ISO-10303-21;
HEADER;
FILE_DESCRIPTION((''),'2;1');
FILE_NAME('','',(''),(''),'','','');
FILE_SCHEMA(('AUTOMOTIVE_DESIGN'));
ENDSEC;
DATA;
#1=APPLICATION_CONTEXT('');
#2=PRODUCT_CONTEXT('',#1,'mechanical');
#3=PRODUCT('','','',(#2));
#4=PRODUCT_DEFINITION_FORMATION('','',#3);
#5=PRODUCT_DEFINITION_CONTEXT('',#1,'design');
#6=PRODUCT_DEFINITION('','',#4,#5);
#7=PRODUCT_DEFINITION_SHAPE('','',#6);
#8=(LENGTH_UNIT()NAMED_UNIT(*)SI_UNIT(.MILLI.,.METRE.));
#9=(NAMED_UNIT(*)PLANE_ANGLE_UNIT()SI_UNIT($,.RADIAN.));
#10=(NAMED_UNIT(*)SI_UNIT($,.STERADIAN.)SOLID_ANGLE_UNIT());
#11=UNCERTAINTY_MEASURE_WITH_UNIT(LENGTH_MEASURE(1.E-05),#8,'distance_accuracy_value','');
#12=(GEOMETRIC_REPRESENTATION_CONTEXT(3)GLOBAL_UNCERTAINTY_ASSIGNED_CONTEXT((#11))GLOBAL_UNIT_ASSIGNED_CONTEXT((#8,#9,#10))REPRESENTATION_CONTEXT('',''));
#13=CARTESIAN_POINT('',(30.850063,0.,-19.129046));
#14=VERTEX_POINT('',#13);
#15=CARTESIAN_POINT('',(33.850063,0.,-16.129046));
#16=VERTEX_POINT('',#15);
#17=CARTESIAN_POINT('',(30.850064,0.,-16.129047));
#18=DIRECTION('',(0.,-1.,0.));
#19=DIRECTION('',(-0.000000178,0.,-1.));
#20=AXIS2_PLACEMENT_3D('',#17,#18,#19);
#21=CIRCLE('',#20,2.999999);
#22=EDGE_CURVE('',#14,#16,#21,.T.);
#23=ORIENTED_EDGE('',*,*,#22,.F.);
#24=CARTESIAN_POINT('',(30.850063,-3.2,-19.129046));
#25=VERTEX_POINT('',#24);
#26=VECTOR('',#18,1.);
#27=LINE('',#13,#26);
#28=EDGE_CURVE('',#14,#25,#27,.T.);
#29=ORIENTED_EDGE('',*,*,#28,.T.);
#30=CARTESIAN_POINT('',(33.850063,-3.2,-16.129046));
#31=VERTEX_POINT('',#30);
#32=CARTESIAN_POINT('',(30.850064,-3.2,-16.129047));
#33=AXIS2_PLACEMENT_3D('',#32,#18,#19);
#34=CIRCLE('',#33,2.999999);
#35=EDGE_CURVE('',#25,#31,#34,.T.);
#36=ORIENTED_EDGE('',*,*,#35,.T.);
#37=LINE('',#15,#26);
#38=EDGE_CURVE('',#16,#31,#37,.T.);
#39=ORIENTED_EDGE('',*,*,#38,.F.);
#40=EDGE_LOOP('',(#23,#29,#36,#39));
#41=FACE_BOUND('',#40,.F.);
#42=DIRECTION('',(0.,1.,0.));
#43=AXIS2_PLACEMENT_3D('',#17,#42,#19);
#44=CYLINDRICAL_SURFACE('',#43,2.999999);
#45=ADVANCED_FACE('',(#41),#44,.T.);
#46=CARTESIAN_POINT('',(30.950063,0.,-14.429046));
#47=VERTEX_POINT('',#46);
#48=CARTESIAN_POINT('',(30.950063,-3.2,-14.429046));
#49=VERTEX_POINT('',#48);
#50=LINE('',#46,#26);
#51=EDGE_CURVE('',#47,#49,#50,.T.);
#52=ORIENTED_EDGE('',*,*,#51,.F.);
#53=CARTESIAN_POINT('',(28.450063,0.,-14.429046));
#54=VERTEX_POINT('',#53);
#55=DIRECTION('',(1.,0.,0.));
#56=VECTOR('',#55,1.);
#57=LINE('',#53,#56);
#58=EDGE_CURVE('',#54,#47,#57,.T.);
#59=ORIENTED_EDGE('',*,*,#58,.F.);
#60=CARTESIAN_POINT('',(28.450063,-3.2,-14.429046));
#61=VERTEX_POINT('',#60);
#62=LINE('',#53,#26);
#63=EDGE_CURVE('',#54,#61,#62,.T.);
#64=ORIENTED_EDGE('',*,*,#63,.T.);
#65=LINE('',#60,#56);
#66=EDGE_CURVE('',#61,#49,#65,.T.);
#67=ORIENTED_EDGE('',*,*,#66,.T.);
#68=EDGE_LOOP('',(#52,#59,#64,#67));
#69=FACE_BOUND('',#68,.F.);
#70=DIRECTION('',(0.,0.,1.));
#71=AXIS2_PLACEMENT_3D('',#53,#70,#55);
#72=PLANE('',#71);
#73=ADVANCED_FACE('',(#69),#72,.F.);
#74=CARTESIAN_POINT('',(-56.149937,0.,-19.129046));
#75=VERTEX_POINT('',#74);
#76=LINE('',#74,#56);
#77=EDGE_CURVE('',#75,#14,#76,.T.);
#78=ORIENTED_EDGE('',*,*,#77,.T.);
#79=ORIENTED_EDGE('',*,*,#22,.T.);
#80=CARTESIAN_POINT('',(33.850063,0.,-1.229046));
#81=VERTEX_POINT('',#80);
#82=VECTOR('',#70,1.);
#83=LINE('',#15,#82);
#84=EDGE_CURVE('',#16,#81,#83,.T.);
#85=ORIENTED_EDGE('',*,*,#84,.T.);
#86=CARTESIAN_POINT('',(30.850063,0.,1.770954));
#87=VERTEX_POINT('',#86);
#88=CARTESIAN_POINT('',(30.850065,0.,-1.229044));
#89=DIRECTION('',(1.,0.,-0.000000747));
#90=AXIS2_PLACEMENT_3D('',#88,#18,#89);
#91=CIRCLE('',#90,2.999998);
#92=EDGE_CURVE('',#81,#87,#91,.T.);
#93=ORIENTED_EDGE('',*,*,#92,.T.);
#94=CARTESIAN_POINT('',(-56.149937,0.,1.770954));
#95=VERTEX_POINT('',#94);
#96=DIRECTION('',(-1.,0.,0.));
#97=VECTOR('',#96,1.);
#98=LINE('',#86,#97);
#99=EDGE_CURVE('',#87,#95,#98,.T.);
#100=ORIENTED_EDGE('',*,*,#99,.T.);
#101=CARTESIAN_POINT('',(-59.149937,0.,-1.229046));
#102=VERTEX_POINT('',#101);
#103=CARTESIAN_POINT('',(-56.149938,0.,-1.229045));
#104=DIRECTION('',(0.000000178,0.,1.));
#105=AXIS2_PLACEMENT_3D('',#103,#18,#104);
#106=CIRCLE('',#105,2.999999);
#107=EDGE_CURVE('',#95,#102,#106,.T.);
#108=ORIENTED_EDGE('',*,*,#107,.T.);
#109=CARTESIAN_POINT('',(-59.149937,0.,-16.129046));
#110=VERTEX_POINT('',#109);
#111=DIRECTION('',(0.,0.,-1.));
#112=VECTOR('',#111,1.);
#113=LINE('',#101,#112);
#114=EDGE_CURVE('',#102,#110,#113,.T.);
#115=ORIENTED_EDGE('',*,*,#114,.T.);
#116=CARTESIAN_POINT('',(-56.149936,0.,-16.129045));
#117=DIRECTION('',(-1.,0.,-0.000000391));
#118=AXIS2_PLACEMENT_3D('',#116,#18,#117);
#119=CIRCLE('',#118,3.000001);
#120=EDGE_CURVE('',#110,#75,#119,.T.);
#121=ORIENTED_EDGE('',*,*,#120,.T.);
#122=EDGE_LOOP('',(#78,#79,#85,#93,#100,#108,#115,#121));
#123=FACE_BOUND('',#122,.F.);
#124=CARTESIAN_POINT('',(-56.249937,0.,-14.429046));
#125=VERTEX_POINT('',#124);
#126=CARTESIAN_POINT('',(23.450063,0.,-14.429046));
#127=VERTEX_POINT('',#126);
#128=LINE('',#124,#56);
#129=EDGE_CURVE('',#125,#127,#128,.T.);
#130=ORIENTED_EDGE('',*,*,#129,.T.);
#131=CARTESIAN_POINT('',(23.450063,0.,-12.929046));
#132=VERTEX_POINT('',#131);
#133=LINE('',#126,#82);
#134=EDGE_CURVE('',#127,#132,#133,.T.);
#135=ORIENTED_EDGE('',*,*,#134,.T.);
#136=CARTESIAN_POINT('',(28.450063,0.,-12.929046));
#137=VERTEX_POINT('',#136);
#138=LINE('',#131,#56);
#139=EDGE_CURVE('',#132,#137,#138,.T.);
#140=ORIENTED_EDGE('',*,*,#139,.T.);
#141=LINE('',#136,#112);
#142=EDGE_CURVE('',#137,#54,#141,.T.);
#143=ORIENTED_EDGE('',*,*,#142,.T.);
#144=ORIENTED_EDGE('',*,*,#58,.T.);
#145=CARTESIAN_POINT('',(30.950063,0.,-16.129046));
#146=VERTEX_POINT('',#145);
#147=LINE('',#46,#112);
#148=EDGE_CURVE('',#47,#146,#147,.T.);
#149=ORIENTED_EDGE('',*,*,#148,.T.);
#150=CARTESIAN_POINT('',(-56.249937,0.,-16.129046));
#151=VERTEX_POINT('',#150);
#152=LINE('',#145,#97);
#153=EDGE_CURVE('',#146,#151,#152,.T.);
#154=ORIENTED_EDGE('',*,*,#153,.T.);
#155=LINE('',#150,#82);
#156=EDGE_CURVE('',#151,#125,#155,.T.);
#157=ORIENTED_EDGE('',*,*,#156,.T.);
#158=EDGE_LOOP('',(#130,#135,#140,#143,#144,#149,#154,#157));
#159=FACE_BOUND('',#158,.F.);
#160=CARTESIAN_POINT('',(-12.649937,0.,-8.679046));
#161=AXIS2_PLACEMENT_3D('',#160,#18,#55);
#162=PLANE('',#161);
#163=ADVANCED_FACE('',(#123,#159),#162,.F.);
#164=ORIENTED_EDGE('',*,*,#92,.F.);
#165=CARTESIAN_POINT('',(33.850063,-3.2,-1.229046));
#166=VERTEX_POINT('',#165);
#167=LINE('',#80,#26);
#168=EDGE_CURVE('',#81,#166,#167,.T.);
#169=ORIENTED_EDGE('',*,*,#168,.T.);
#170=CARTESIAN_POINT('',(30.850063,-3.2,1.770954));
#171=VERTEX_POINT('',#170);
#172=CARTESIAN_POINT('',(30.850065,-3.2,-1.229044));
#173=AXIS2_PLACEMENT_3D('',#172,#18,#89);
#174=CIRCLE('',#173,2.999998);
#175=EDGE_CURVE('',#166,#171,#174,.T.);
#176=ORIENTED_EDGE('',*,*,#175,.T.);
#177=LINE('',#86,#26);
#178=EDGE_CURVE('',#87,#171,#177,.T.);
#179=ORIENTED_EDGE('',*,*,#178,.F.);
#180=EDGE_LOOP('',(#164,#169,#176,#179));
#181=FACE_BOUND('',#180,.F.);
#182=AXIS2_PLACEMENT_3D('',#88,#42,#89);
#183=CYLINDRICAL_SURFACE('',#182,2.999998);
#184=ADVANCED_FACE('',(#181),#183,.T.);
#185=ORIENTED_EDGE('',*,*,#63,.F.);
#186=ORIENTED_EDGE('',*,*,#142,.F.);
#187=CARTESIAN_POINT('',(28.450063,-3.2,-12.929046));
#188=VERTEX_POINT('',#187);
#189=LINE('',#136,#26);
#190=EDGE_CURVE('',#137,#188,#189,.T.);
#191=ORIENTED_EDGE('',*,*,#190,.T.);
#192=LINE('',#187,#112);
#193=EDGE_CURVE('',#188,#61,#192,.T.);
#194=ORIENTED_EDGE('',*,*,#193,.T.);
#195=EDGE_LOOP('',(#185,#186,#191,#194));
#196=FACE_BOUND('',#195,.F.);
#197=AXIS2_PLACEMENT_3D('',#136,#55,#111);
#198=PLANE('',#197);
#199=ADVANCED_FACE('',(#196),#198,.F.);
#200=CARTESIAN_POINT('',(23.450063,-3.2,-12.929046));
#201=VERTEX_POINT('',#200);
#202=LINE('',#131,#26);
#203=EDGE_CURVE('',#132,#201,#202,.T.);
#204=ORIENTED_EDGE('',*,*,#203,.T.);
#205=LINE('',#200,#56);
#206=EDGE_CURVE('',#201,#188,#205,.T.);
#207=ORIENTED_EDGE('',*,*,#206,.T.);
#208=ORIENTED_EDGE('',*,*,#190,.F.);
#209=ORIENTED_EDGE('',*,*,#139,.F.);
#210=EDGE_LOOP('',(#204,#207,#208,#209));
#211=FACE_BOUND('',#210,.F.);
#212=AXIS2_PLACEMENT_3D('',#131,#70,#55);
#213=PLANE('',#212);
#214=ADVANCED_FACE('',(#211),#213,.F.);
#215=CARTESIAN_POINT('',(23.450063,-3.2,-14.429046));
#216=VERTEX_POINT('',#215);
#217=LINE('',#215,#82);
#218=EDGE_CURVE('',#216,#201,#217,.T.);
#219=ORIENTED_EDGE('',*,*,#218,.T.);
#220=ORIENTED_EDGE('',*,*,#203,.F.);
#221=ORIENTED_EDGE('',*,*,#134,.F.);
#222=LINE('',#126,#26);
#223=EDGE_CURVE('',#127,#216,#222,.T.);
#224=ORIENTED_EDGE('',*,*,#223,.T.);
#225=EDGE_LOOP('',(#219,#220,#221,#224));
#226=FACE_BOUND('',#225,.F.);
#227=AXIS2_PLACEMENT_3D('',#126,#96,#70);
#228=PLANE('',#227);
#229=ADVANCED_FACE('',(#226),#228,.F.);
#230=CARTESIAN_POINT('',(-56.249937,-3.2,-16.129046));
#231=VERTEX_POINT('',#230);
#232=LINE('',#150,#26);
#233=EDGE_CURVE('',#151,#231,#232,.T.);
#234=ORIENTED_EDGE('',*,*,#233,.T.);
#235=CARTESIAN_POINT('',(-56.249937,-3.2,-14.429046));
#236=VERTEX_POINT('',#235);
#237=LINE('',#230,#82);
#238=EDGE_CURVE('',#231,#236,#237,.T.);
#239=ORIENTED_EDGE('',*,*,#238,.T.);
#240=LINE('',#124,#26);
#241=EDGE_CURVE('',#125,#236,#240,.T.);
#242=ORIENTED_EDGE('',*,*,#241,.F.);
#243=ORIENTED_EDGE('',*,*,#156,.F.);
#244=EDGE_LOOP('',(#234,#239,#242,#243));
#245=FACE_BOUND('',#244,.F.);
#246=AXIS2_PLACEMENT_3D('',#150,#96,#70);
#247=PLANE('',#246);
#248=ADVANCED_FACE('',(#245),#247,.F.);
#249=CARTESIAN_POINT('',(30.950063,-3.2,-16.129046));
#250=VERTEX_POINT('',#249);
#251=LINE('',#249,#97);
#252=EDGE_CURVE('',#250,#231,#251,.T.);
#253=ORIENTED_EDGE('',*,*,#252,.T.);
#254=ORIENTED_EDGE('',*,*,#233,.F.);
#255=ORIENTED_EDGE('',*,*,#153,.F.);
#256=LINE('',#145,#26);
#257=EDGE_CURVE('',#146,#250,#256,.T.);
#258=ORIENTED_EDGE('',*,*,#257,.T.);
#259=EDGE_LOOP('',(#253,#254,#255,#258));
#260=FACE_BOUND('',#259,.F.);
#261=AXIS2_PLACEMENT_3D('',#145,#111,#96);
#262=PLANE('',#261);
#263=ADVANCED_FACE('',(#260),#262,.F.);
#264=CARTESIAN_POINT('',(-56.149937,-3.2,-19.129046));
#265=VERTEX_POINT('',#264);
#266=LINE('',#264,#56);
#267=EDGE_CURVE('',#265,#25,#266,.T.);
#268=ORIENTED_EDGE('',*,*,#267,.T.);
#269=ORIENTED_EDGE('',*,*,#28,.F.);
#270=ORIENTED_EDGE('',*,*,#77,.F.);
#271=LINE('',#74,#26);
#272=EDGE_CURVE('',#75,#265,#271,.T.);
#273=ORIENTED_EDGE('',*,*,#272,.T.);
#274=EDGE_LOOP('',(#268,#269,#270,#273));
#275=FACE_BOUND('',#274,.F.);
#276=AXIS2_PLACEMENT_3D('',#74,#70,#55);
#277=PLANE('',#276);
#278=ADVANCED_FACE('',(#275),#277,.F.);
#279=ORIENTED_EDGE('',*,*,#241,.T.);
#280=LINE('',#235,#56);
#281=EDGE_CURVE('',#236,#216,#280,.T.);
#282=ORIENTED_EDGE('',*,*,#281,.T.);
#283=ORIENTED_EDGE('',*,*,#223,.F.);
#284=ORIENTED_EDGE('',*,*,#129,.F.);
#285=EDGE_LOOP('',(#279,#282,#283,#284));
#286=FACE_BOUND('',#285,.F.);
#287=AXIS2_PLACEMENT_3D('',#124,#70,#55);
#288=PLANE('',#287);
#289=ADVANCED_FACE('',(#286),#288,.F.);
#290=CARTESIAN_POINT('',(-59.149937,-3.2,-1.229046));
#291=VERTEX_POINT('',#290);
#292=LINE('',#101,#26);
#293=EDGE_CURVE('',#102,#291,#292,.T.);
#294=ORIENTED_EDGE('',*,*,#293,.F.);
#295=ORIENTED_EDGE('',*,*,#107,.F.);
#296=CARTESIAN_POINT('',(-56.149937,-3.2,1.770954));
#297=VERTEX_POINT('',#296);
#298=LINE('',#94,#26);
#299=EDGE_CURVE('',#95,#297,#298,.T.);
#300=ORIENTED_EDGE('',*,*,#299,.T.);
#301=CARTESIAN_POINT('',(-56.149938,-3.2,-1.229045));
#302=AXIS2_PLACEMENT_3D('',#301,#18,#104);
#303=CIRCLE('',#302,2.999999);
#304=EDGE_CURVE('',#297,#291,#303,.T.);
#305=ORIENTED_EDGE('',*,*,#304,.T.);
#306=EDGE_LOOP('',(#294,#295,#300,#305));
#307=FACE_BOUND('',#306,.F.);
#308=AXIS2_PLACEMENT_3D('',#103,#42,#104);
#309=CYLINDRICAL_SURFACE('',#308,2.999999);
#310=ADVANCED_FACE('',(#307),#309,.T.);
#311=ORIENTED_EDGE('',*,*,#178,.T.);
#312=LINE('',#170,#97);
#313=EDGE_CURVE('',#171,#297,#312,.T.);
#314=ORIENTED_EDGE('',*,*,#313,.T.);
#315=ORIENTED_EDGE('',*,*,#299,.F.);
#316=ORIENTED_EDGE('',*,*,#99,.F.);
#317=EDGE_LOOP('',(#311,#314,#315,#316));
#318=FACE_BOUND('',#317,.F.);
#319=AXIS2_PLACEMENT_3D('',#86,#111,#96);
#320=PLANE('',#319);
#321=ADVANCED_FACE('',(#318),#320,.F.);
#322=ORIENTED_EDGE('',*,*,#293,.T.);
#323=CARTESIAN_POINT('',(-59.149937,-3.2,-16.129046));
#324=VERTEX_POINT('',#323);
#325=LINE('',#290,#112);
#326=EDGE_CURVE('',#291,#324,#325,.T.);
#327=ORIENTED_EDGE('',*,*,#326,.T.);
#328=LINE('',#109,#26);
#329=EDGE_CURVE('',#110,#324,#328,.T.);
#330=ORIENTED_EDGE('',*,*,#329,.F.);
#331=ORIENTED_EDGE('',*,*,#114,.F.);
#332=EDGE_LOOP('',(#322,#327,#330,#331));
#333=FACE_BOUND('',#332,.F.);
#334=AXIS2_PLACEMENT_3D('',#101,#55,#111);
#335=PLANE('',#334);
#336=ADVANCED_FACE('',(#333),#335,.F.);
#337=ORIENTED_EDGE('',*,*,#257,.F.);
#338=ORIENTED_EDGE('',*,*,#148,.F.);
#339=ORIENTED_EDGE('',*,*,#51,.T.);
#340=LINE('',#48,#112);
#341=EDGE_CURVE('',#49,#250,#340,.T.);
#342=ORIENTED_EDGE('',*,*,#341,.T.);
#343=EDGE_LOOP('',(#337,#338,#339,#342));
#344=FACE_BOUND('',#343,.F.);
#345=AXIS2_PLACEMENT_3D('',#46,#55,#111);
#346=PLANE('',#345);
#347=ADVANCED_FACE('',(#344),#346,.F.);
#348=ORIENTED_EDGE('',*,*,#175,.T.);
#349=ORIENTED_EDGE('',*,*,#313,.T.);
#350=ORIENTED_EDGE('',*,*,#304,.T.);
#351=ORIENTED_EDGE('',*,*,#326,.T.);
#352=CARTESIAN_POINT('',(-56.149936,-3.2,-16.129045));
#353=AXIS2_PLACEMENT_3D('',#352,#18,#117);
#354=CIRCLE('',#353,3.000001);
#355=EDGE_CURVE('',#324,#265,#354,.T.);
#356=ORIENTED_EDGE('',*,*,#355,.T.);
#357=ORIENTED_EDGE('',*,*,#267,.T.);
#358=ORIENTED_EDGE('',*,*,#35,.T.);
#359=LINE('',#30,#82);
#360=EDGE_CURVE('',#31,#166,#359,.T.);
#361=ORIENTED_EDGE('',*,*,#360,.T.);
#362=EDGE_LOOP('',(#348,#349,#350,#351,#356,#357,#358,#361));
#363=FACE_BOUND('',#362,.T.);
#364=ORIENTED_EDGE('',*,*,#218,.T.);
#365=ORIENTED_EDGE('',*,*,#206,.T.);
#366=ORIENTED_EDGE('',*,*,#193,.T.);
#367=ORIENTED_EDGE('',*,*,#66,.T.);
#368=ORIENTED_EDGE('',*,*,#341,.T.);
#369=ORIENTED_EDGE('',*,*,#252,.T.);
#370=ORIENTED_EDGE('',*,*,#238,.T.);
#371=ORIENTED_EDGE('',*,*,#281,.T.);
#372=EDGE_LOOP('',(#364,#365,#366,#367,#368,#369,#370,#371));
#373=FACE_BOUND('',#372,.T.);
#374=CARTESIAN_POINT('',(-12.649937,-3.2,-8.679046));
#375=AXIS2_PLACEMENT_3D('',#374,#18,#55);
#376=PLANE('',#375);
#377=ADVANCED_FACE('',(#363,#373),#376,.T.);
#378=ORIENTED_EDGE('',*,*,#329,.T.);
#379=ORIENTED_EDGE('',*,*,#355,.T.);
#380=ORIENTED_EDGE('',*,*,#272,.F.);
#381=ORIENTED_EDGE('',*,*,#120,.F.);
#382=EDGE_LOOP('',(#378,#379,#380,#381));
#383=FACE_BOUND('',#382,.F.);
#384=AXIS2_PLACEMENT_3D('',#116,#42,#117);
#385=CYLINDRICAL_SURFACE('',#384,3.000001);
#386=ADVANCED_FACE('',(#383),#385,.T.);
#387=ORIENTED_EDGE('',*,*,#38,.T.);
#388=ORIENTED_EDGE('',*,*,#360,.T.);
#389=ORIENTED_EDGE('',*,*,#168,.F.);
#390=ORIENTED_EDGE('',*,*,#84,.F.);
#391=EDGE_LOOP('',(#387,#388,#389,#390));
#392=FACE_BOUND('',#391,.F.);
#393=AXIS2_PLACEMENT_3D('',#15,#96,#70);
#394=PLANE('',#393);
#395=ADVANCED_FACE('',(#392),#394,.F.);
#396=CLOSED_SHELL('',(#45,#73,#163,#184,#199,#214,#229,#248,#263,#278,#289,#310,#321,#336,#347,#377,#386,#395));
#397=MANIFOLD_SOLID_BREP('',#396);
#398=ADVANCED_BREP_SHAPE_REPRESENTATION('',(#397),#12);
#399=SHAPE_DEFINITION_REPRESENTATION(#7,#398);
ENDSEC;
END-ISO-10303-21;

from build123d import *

# Parameters (mm, degrees)
F1_DEPTH = 3.2


with BuildPart() as f1:
    # F0 (on Front) → F1 (new body)
    with BuildSketch(Plane.XZ):
        with BuildLine():
            Line((30.850063, 1.770954), (-56.149937, 1.770954))
            ThreePointArc((-56.149937, 1.770954), (-58.271257, 0.892275), (-59.149937, -1.229046))
            Line((-59.149937, -1.229046), (-59.149937, -16.129046))
            ThreePointArc((-59.149937, -16.129046), (-58.271257, -18.250366), (-56.149937, -19.129046))
            Line((-56.149937, -19.129046), (30.850063, -19.129046))
            ThreePointArc((30.850063, -19.129046), (32.971384, -18.250366), (33.850063, -16.129046))
            Line((33.850063, -16.129046), (33.850063, -1.229046))
            ThreePointArc((33.850063, -1.229046), (32.971384, 0.892275), (30.850063, 1.770954))
        make_face()
        Polygon((-56.249937, -16.129046), (-56.249937, -14.429046), (23.450063, -14.429046), (23.450063, -12.929046), (28.450063, -12.929046), (28.450063, -14.429046), (30.950063, -14.429046), (30.950063, -16.129046), align=None, mode=Mode.SUBTRACT)
    extrude(amount=F1_DEPTH)


solid = f1.part
